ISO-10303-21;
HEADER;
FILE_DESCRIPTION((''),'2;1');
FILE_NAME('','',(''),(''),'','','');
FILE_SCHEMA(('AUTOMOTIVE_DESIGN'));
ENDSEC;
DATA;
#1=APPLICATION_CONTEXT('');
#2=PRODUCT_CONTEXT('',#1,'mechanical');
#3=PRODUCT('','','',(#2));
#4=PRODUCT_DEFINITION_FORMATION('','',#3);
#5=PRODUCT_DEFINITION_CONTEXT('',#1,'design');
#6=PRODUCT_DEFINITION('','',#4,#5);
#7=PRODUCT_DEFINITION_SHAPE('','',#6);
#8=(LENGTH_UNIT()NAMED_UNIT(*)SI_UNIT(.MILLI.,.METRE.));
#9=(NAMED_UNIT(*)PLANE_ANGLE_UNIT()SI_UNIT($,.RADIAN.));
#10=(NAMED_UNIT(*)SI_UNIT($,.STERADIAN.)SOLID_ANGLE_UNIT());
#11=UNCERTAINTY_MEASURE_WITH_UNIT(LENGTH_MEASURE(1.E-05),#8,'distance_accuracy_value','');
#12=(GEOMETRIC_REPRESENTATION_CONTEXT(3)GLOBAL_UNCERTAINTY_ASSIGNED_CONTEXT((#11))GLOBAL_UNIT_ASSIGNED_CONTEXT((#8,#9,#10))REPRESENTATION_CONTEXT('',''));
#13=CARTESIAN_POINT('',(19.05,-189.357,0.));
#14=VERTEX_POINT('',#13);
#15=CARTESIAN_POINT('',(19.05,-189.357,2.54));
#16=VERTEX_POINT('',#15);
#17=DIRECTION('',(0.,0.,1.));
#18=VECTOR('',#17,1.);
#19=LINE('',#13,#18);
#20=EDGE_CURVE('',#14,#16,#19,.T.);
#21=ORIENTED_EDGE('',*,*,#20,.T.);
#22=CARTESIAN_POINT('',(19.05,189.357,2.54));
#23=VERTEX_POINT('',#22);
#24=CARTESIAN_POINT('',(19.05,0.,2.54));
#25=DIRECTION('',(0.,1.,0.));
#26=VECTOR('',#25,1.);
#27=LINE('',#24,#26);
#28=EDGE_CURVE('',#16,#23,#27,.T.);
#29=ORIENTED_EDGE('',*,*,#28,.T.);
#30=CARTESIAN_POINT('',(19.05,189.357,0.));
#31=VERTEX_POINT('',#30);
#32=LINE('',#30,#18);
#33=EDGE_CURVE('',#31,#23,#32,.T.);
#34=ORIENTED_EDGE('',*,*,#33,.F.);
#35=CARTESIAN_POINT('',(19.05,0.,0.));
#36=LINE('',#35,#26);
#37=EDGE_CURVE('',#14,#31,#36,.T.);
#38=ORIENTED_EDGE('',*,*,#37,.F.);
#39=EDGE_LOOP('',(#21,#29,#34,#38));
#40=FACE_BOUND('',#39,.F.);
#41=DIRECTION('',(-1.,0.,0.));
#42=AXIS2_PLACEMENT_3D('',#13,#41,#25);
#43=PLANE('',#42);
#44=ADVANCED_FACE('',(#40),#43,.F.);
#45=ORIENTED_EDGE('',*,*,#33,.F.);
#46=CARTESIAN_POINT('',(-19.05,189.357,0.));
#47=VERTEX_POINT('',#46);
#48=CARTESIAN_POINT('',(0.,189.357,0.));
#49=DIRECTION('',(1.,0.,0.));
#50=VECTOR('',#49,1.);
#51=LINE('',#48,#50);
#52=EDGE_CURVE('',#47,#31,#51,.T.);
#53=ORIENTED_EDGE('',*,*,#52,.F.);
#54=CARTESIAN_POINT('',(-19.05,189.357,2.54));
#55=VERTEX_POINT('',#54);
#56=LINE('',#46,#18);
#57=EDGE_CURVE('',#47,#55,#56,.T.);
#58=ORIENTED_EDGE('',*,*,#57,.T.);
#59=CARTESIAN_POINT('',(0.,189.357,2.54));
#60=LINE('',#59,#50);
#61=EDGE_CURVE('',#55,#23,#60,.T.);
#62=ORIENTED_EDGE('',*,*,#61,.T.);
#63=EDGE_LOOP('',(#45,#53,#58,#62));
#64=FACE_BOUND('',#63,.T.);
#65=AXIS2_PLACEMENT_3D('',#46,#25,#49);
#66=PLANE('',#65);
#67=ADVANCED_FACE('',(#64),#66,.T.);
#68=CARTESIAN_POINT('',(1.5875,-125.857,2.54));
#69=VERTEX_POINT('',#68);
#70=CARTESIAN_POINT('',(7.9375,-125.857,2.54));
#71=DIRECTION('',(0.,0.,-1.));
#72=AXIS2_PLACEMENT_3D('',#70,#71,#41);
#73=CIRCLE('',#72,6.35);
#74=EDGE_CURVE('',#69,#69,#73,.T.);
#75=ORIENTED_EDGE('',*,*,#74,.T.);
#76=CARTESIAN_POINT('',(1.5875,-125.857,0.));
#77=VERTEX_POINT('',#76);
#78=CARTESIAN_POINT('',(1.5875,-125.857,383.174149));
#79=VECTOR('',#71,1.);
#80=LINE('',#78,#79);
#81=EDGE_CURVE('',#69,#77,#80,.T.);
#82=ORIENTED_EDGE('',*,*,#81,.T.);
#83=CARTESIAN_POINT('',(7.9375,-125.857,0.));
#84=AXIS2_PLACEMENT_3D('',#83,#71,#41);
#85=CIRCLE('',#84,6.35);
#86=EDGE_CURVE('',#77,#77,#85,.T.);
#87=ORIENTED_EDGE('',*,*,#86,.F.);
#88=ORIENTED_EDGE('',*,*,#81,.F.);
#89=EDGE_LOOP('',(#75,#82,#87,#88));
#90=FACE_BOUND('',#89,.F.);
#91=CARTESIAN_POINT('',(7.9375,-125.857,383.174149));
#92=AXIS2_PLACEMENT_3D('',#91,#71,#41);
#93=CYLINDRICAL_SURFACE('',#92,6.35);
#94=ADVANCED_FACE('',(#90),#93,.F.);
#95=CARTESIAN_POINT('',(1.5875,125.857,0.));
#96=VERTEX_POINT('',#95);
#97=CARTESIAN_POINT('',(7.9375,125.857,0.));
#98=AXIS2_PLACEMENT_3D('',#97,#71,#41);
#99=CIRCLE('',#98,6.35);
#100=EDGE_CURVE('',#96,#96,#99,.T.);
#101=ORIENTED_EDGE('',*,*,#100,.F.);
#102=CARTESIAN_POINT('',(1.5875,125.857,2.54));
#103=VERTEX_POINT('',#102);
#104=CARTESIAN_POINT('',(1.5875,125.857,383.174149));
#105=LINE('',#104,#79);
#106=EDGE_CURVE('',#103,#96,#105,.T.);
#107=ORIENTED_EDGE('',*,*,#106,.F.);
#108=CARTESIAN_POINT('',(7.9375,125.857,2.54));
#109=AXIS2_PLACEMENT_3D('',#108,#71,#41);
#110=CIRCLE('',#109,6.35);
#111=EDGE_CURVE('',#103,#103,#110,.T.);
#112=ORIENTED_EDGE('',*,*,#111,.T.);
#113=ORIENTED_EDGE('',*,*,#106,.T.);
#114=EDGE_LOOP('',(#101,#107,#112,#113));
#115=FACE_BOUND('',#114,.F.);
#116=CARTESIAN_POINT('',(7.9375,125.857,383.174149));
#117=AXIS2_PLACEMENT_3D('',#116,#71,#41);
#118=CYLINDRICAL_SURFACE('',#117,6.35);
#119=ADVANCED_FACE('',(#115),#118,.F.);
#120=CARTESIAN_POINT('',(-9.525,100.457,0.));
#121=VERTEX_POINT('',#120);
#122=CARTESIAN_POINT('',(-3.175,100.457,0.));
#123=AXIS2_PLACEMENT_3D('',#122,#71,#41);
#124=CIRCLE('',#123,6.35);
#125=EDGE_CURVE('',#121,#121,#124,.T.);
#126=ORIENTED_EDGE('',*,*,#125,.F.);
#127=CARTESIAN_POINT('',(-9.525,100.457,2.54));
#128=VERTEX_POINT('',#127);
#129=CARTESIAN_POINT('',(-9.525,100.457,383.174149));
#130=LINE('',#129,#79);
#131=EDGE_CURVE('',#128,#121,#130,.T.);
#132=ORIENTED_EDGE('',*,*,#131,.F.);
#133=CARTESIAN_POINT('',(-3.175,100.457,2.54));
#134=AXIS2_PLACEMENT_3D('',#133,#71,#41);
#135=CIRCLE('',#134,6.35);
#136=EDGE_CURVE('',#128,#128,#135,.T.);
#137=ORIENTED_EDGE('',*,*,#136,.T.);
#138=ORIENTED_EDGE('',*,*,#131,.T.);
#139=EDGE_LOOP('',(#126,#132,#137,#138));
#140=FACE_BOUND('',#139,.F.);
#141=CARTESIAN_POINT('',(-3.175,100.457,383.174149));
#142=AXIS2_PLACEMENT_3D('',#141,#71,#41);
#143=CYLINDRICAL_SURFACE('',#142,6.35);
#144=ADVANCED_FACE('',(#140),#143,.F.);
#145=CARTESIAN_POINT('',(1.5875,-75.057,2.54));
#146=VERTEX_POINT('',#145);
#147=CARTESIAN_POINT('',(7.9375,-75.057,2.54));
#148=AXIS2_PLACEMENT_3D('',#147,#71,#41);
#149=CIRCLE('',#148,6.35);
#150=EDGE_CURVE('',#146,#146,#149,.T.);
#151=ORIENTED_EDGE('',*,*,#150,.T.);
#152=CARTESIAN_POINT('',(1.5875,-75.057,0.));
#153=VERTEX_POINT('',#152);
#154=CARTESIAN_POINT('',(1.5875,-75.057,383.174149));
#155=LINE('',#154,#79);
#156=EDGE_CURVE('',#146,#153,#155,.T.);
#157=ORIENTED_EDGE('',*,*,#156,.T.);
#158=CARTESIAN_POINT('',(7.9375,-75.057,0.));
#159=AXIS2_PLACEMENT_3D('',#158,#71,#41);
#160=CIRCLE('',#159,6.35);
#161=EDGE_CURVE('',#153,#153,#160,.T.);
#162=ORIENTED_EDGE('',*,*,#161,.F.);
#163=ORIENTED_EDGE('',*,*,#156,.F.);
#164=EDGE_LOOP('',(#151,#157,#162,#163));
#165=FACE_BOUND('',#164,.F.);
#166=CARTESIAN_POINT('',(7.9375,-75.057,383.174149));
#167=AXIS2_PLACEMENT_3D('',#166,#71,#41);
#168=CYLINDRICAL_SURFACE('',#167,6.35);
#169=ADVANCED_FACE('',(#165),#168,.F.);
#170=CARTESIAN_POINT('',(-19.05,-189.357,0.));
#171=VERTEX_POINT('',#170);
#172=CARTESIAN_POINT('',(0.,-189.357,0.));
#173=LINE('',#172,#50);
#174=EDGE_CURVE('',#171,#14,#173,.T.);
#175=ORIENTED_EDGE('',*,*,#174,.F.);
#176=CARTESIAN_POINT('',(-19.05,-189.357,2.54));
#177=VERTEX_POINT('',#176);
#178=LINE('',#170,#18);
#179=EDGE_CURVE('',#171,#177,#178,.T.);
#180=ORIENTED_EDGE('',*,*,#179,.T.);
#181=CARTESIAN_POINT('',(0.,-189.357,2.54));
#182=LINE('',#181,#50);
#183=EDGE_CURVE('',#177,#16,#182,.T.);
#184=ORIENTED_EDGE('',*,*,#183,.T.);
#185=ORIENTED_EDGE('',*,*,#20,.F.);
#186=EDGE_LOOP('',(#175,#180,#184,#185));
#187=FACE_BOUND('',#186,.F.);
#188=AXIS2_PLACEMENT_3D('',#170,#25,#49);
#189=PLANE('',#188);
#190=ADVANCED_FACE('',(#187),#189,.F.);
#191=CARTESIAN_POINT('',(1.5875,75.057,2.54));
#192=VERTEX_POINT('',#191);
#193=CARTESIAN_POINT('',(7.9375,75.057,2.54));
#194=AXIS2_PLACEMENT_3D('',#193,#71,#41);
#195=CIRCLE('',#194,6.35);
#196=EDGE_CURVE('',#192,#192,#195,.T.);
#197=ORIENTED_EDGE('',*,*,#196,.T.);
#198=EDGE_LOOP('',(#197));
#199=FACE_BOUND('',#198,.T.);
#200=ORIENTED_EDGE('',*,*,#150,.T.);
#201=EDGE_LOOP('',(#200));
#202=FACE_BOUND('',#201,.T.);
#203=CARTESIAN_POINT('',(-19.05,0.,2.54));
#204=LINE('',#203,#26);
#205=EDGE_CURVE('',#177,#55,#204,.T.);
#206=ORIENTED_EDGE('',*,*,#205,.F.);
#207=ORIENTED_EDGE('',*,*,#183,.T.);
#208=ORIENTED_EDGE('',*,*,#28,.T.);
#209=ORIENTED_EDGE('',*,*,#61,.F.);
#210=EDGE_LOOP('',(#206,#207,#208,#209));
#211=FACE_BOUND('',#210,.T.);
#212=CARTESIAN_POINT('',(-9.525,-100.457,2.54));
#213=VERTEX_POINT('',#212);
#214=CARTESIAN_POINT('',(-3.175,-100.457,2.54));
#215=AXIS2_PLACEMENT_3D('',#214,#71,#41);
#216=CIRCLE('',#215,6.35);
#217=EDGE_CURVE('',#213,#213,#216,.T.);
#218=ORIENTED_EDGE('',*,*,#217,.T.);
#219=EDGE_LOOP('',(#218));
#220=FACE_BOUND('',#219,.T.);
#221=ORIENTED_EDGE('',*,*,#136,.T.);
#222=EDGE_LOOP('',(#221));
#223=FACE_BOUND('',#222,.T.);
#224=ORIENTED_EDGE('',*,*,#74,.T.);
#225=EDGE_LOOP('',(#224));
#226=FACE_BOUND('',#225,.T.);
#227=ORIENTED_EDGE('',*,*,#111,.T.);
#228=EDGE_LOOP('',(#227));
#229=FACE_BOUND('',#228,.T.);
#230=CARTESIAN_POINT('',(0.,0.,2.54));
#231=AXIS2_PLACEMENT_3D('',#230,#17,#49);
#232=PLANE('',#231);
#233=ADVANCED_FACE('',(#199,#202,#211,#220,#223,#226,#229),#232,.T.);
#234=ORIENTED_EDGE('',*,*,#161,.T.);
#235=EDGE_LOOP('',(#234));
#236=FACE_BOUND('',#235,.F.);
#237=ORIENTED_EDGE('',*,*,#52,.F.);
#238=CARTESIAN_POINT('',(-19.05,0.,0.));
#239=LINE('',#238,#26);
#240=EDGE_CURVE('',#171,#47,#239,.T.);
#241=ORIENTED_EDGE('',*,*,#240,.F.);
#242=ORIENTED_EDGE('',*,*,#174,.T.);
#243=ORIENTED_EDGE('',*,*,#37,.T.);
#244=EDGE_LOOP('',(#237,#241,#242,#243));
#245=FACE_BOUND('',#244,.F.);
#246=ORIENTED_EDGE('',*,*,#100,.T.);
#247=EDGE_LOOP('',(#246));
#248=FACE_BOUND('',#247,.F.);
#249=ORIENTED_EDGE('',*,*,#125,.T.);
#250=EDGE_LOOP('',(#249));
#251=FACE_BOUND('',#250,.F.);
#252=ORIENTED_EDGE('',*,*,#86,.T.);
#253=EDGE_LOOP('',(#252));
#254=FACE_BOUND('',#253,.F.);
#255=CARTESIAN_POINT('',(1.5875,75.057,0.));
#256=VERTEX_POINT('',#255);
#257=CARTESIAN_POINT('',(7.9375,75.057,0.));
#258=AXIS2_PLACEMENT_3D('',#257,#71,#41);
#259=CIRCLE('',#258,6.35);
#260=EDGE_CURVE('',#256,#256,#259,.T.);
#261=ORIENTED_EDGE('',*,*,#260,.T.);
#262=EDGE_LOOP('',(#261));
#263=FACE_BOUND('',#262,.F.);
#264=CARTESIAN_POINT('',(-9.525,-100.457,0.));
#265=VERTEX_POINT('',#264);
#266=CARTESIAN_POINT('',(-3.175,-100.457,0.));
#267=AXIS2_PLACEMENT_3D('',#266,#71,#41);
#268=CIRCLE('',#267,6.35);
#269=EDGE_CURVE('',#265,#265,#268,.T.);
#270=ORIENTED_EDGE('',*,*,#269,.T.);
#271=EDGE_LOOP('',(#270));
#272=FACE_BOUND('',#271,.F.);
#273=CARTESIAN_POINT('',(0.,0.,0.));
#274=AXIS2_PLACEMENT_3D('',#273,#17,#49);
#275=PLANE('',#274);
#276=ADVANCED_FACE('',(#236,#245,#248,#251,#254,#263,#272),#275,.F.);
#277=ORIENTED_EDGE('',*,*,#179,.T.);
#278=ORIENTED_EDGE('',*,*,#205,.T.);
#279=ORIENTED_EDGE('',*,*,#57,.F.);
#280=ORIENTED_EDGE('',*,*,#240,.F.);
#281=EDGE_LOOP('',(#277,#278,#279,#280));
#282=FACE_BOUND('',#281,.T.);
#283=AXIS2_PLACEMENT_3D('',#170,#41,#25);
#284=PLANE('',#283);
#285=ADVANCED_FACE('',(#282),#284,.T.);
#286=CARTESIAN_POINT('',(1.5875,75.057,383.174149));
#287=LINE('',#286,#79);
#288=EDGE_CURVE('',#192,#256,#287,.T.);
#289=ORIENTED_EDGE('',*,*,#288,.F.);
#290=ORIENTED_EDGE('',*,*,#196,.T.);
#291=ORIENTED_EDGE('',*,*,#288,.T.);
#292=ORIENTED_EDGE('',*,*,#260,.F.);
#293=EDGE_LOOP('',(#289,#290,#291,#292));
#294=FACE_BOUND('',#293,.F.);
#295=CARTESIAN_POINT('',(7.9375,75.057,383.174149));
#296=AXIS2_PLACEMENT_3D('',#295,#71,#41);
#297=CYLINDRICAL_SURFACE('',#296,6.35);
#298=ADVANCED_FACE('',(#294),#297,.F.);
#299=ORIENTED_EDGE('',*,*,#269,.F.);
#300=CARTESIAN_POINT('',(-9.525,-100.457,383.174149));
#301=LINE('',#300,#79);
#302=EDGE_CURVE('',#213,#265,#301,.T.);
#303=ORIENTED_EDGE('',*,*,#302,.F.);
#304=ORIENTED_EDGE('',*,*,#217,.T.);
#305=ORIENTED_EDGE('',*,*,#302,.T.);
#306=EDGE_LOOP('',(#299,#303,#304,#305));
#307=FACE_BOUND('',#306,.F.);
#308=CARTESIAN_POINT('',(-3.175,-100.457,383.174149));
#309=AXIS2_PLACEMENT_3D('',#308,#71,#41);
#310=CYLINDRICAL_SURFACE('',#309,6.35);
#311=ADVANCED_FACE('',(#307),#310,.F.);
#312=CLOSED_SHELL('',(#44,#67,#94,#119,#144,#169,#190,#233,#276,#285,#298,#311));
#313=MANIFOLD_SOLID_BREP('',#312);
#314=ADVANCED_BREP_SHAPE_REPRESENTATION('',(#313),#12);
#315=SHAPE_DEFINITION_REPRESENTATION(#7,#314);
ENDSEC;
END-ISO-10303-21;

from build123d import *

# Parameters (mm, degrees)
F0_W     = 38.1
F0_H     = 378.714
F1_DEPTH = 2.54
F5_D     = 12.7
F9_D     = 12.7


with BuildPart() as f1:
    # F0 (on Top) → F1 (new body)
    with BuildSketch(Plane.XY):
        Rectangle(F0_W, F0_H)
    extrude(amount=F1_DEPTH)

    # F5 (through all)
    with Locations(Plane.XY.offset(2.54)):
        with Locations((-3.175, 100.457), (7.9375, 75.057), (7.9375, 125.857)):
            Hole(F5_D / 2)

    # F9 (through all)
    with Locations(Plane.XY.offset(2.54)):
        with Locations((7.9375, -125.857), (-3.175, -100.457), (7.9375, -75.057)):
            Hole(F9_D / 2)


solid = f1.part
